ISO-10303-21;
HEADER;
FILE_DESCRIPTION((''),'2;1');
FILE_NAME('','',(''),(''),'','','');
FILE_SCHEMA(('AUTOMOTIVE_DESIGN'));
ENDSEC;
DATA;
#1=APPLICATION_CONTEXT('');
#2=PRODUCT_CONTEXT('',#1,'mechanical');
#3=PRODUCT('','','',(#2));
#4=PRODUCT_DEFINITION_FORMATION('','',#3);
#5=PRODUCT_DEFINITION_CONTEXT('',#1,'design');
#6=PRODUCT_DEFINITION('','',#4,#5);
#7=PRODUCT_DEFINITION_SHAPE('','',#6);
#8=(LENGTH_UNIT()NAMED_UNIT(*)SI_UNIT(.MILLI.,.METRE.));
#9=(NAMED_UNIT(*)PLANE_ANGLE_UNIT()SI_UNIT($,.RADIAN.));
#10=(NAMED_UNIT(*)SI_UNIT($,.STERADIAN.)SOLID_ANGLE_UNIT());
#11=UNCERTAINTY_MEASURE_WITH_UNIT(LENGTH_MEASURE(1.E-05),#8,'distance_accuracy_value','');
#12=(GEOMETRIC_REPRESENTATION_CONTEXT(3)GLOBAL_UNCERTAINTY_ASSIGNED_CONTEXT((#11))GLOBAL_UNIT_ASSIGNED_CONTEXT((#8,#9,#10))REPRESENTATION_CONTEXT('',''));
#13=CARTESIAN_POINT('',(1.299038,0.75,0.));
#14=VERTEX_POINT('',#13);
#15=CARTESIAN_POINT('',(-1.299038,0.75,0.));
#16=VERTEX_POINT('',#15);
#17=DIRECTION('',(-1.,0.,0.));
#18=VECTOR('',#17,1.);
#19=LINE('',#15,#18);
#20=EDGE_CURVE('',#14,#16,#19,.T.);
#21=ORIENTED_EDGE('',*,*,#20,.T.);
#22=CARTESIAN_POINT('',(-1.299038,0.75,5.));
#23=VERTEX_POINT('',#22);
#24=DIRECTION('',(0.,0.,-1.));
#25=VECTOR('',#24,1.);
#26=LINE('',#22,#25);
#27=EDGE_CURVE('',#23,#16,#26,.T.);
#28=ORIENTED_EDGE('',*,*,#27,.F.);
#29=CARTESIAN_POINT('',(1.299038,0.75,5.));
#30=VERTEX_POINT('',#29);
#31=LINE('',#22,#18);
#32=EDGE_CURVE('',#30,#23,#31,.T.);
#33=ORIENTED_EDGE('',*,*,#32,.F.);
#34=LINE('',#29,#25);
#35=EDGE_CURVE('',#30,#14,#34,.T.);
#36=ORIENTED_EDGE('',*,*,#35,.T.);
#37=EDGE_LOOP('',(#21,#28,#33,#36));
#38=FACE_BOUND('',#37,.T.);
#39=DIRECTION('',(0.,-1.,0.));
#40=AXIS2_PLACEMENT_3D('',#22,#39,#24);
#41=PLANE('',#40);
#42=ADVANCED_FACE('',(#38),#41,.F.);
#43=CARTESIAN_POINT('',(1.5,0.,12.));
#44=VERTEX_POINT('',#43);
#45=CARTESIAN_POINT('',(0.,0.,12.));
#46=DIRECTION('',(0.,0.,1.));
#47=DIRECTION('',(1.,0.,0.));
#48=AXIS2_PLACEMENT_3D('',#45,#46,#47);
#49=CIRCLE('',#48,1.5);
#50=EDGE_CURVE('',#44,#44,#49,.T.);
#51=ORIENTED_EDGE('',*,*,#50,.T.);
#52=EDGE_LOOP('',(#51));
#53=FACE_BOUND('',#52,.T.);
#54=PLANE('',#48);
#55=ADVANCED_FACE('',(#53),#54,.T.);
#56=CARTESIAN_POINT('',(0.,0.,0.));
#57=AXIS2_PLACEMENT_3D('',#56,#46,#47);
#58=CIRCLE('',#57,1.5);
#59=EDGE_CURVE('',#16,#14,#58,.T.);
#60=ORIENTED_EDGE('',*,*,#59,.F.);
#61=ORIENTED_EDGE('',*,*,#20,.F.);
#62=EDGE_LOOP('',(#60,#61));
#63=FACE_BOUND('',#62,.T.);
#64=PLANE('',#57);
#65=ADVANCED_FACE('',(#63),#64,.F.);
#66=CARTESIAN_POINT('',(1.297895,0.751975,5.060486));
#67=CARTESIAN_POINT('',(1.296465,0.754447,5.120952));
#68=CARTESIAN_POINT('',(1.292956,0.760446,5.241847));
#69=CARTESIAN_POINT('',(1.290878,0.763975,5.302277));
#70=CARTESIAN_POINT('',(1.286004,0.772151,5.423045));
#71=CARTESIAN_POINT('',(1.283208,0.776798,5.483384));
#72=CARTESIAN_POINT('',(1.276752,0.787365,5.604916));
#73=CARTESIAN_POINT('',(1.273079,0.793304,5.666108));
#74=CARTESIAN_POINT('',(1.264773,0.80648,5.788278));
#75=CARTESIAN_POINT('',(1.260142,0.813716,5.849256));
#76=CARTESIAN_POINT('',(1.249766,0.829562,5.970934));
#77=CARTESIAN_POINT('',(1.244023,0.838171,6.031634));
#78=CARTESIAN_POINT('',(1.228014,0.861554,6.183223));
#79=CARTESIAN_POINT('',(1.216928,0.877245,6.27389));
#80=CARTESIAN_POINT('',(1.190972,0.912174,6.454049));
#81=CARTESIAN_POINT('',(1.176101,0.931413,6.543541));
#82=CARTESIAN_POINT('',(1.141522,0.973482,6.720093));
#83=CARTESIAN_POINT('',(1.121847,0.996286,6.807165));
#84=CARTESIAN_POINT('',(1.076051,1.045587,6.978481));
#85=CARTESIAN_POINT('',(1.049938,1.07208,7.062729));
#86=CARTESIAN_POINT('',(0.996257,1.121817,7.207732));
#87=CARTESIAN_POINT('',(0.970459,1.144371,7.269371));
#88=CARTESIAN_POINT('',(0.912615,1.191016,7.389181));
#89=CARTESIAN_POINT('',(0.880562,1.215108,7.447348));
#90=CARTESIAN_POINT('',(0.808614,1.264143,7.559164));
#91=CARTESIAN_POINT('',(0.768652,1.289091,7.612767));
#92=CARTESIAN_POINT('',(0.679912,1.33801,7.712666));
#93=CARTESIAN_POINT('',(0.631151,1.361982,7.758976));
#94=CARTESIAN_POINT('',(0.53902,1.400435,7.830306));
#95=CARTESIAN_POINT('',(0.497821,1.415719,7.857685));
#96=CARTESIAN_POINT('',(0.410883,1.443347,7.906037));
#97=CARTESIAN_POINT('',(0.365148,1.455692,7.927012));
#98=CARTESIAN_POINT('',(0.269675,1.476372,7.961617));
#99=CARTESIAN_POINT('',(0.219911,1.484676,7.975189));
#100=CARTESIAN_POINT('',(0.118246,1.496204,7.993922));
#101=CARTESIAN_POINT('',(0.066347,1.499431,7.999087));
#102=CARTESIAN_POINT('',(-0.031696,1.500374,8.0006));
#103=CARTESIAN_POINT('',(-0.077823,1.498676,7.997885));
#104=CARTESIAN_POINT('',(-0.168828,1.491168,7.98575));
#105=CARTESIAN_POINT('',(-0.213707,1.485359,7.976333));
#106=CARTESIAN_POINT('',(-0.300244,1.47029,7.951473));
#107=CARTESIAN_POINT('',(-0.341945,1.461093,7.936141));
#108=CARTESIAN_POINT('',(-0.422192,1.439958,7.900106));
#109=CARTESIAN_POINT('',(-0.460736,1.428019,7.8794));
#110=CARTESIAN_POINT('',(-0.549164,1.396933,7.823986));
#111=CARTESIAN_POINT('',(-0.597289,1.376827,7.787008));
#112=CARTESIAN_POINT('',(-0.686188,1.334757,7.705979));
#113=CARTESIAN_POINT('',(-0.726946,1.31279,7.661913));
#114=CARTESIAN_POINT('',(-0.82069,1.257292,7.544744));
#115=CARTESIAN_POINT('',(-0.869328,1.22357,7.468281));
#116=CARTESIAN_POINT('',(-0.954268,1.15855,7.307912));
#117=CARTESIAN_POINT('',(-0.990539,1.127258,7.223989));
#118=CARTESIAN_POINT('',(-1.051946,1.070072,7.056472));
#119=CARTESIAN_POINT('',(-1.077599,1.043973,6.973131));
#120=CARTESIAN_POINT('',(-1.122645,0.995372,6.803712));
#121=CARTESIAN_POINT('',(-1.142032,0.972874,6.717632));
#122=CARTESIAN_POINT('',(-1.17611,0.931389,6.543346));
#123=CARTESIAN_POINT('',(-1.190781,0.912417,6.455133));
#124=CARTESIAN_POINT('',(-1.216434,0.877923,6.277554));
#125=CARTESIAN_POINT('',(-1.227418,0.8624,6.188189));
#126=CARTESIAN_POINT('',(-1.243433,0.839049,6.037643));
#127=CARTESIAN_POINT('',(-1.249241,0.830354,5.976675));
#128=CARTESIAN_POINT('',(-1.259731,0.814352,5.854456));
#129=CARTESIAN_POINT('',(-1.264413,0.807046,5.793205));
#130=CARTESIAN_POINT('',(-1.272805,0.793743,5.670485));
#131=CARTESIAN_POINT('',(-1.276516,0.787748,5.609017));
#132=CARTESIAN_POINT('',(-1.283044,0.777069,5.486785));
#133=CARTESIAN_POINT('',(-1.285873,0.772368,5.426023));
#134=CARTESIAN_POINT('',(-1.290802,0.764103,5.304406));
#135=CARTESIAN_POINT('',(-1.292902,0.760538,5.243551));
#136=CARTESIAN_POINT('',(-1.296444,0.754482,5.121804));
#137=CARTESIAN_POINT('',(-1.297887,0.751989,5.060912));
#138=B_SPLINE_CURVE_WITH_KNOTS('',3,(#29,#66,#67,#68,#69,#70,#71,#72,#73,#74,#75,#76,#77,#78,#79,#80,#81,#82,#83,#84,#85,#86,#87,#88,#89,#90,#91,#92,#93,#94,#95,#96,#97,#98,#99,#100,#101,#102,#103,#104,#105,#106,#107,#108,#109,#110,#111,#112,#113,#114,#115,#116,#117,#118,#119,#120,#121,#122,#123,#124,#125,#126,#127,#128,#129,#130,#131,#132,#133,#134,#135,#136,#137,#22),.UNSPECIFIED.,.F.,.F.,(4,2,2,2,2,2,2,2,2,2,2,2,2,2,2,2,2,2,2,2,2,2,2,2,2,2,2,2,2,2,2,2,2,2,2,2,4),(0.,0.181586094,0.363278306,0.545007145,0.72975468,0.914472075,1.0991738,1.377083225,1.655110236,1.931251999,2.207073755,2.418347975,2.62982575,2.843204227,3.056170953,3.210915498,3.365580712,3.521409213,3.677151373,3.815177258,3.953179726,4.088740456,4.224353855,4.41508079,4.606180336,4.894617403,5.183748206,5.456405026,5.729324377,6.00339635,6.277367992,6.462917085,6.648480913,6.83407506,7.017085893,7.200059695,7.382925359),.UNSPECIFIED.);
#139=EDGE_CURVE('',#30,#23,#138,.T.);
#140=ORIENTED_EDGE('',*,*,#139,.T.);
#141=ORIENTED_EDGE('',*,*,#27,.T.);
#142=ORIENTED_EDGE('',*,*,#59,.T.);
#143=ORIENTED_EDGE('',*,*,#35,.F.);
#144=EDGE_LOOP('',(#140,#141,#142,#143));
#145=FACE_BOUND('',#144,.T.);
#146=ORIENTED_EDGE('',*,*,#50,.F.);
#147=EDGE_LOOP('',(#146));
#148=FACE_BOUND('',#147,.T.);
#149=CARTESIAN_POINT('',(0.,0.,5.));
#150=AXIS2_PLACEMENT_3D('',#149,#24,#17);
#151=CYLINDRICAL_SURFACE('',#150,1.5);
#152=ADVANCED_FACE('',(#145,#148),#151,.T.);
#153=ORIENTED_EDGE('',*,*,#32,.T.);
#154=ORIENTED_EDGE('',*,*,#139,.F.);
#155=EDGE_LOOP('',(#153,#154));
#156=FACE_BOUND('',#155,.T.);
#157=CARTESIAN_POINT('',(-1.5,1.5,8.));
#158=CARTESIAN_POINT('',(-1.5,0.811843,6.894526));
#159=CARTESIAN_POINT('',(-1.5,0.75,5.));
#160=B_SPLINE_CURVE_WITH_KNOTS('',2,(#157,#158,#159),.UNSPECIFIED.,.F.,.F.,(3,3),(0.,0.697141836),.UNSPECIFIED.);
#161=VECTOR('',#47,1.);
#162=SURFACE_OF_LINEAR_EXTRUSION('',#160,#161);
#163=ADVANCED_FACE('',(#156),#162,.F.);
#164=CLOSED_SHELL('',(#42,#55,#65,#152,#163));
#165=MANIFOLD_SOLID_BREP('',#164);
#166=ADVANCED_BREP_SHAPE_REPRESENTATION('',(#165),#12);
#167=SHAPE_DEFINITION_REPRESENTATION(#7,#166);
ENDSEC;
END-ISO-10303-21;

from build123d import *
from build123d.topology import SkipClean

# Parameters (mm, degrees)
BOSS_EXTRU_1_DEPTH      = 5
ESQUISSE2_R             = 1.5
BOSS_EXTRU_2_DEPTH      = 7
ENL_V_MAT_EXTRU_1_DEPTH = 3


with BuildPart() as part:
    # Esquisse1 → Boss.-Extru.1 (new body)
    with BuildSketch(Plane.XY):
        with BuildLine():
            Line((-1.299038106, 0.75), (1.299038106, 0.75))
            ThreePointArc((1.299038106, 0.75), (0, -1.5), (-1.299038106, 0.75))
        make_face()
    extrude(amount=BOSS_EXTRU_1_DEPTH)

    # Esquisse2 → Boss.-Extru.2 (add)
    with SkipClean():  # the faces are left unmerged after this step: merging them gives an invalid solid
        with BuildSketch(Plane.XY.offset(5)):
            with Locations(Location((0, 0, 0), (0, 0, 150))):
                Circle(ESQUISSE2_R)
        extrude(amount=BOSS_EXTRU_2_DEPTH)

    # Esquisse3 → Enlèv. mat.-Extru.1 (cut)
    with SkipClean():  # the faces are left unmerged after this step: merging them gives an invalid solid
        with BuildSketch(Plane(origin=(1.5, 0, 0), x_dir=(0, 0, -1), z_dir=(1, 0, 0))):
            with BuildLine():
                Line((-8, 1.5), (-5, 1.5))
                Line((-5, 1.5), (-5, 0.75))
                add(Edge.make_bspline(
                    [(-8, 1.5), (-6.894526205, 0.811843176), (-5, 0.75)],
                    knots=[0, 0, 0, 0.697141836, 0.697141836, 0.697141836], degree=2))
            make_face()
        extrude(amount=-ENL_V_MAT_EXTRU_1_DEPTH, mode=Mode.SUBTRACT)


solid = part.part
